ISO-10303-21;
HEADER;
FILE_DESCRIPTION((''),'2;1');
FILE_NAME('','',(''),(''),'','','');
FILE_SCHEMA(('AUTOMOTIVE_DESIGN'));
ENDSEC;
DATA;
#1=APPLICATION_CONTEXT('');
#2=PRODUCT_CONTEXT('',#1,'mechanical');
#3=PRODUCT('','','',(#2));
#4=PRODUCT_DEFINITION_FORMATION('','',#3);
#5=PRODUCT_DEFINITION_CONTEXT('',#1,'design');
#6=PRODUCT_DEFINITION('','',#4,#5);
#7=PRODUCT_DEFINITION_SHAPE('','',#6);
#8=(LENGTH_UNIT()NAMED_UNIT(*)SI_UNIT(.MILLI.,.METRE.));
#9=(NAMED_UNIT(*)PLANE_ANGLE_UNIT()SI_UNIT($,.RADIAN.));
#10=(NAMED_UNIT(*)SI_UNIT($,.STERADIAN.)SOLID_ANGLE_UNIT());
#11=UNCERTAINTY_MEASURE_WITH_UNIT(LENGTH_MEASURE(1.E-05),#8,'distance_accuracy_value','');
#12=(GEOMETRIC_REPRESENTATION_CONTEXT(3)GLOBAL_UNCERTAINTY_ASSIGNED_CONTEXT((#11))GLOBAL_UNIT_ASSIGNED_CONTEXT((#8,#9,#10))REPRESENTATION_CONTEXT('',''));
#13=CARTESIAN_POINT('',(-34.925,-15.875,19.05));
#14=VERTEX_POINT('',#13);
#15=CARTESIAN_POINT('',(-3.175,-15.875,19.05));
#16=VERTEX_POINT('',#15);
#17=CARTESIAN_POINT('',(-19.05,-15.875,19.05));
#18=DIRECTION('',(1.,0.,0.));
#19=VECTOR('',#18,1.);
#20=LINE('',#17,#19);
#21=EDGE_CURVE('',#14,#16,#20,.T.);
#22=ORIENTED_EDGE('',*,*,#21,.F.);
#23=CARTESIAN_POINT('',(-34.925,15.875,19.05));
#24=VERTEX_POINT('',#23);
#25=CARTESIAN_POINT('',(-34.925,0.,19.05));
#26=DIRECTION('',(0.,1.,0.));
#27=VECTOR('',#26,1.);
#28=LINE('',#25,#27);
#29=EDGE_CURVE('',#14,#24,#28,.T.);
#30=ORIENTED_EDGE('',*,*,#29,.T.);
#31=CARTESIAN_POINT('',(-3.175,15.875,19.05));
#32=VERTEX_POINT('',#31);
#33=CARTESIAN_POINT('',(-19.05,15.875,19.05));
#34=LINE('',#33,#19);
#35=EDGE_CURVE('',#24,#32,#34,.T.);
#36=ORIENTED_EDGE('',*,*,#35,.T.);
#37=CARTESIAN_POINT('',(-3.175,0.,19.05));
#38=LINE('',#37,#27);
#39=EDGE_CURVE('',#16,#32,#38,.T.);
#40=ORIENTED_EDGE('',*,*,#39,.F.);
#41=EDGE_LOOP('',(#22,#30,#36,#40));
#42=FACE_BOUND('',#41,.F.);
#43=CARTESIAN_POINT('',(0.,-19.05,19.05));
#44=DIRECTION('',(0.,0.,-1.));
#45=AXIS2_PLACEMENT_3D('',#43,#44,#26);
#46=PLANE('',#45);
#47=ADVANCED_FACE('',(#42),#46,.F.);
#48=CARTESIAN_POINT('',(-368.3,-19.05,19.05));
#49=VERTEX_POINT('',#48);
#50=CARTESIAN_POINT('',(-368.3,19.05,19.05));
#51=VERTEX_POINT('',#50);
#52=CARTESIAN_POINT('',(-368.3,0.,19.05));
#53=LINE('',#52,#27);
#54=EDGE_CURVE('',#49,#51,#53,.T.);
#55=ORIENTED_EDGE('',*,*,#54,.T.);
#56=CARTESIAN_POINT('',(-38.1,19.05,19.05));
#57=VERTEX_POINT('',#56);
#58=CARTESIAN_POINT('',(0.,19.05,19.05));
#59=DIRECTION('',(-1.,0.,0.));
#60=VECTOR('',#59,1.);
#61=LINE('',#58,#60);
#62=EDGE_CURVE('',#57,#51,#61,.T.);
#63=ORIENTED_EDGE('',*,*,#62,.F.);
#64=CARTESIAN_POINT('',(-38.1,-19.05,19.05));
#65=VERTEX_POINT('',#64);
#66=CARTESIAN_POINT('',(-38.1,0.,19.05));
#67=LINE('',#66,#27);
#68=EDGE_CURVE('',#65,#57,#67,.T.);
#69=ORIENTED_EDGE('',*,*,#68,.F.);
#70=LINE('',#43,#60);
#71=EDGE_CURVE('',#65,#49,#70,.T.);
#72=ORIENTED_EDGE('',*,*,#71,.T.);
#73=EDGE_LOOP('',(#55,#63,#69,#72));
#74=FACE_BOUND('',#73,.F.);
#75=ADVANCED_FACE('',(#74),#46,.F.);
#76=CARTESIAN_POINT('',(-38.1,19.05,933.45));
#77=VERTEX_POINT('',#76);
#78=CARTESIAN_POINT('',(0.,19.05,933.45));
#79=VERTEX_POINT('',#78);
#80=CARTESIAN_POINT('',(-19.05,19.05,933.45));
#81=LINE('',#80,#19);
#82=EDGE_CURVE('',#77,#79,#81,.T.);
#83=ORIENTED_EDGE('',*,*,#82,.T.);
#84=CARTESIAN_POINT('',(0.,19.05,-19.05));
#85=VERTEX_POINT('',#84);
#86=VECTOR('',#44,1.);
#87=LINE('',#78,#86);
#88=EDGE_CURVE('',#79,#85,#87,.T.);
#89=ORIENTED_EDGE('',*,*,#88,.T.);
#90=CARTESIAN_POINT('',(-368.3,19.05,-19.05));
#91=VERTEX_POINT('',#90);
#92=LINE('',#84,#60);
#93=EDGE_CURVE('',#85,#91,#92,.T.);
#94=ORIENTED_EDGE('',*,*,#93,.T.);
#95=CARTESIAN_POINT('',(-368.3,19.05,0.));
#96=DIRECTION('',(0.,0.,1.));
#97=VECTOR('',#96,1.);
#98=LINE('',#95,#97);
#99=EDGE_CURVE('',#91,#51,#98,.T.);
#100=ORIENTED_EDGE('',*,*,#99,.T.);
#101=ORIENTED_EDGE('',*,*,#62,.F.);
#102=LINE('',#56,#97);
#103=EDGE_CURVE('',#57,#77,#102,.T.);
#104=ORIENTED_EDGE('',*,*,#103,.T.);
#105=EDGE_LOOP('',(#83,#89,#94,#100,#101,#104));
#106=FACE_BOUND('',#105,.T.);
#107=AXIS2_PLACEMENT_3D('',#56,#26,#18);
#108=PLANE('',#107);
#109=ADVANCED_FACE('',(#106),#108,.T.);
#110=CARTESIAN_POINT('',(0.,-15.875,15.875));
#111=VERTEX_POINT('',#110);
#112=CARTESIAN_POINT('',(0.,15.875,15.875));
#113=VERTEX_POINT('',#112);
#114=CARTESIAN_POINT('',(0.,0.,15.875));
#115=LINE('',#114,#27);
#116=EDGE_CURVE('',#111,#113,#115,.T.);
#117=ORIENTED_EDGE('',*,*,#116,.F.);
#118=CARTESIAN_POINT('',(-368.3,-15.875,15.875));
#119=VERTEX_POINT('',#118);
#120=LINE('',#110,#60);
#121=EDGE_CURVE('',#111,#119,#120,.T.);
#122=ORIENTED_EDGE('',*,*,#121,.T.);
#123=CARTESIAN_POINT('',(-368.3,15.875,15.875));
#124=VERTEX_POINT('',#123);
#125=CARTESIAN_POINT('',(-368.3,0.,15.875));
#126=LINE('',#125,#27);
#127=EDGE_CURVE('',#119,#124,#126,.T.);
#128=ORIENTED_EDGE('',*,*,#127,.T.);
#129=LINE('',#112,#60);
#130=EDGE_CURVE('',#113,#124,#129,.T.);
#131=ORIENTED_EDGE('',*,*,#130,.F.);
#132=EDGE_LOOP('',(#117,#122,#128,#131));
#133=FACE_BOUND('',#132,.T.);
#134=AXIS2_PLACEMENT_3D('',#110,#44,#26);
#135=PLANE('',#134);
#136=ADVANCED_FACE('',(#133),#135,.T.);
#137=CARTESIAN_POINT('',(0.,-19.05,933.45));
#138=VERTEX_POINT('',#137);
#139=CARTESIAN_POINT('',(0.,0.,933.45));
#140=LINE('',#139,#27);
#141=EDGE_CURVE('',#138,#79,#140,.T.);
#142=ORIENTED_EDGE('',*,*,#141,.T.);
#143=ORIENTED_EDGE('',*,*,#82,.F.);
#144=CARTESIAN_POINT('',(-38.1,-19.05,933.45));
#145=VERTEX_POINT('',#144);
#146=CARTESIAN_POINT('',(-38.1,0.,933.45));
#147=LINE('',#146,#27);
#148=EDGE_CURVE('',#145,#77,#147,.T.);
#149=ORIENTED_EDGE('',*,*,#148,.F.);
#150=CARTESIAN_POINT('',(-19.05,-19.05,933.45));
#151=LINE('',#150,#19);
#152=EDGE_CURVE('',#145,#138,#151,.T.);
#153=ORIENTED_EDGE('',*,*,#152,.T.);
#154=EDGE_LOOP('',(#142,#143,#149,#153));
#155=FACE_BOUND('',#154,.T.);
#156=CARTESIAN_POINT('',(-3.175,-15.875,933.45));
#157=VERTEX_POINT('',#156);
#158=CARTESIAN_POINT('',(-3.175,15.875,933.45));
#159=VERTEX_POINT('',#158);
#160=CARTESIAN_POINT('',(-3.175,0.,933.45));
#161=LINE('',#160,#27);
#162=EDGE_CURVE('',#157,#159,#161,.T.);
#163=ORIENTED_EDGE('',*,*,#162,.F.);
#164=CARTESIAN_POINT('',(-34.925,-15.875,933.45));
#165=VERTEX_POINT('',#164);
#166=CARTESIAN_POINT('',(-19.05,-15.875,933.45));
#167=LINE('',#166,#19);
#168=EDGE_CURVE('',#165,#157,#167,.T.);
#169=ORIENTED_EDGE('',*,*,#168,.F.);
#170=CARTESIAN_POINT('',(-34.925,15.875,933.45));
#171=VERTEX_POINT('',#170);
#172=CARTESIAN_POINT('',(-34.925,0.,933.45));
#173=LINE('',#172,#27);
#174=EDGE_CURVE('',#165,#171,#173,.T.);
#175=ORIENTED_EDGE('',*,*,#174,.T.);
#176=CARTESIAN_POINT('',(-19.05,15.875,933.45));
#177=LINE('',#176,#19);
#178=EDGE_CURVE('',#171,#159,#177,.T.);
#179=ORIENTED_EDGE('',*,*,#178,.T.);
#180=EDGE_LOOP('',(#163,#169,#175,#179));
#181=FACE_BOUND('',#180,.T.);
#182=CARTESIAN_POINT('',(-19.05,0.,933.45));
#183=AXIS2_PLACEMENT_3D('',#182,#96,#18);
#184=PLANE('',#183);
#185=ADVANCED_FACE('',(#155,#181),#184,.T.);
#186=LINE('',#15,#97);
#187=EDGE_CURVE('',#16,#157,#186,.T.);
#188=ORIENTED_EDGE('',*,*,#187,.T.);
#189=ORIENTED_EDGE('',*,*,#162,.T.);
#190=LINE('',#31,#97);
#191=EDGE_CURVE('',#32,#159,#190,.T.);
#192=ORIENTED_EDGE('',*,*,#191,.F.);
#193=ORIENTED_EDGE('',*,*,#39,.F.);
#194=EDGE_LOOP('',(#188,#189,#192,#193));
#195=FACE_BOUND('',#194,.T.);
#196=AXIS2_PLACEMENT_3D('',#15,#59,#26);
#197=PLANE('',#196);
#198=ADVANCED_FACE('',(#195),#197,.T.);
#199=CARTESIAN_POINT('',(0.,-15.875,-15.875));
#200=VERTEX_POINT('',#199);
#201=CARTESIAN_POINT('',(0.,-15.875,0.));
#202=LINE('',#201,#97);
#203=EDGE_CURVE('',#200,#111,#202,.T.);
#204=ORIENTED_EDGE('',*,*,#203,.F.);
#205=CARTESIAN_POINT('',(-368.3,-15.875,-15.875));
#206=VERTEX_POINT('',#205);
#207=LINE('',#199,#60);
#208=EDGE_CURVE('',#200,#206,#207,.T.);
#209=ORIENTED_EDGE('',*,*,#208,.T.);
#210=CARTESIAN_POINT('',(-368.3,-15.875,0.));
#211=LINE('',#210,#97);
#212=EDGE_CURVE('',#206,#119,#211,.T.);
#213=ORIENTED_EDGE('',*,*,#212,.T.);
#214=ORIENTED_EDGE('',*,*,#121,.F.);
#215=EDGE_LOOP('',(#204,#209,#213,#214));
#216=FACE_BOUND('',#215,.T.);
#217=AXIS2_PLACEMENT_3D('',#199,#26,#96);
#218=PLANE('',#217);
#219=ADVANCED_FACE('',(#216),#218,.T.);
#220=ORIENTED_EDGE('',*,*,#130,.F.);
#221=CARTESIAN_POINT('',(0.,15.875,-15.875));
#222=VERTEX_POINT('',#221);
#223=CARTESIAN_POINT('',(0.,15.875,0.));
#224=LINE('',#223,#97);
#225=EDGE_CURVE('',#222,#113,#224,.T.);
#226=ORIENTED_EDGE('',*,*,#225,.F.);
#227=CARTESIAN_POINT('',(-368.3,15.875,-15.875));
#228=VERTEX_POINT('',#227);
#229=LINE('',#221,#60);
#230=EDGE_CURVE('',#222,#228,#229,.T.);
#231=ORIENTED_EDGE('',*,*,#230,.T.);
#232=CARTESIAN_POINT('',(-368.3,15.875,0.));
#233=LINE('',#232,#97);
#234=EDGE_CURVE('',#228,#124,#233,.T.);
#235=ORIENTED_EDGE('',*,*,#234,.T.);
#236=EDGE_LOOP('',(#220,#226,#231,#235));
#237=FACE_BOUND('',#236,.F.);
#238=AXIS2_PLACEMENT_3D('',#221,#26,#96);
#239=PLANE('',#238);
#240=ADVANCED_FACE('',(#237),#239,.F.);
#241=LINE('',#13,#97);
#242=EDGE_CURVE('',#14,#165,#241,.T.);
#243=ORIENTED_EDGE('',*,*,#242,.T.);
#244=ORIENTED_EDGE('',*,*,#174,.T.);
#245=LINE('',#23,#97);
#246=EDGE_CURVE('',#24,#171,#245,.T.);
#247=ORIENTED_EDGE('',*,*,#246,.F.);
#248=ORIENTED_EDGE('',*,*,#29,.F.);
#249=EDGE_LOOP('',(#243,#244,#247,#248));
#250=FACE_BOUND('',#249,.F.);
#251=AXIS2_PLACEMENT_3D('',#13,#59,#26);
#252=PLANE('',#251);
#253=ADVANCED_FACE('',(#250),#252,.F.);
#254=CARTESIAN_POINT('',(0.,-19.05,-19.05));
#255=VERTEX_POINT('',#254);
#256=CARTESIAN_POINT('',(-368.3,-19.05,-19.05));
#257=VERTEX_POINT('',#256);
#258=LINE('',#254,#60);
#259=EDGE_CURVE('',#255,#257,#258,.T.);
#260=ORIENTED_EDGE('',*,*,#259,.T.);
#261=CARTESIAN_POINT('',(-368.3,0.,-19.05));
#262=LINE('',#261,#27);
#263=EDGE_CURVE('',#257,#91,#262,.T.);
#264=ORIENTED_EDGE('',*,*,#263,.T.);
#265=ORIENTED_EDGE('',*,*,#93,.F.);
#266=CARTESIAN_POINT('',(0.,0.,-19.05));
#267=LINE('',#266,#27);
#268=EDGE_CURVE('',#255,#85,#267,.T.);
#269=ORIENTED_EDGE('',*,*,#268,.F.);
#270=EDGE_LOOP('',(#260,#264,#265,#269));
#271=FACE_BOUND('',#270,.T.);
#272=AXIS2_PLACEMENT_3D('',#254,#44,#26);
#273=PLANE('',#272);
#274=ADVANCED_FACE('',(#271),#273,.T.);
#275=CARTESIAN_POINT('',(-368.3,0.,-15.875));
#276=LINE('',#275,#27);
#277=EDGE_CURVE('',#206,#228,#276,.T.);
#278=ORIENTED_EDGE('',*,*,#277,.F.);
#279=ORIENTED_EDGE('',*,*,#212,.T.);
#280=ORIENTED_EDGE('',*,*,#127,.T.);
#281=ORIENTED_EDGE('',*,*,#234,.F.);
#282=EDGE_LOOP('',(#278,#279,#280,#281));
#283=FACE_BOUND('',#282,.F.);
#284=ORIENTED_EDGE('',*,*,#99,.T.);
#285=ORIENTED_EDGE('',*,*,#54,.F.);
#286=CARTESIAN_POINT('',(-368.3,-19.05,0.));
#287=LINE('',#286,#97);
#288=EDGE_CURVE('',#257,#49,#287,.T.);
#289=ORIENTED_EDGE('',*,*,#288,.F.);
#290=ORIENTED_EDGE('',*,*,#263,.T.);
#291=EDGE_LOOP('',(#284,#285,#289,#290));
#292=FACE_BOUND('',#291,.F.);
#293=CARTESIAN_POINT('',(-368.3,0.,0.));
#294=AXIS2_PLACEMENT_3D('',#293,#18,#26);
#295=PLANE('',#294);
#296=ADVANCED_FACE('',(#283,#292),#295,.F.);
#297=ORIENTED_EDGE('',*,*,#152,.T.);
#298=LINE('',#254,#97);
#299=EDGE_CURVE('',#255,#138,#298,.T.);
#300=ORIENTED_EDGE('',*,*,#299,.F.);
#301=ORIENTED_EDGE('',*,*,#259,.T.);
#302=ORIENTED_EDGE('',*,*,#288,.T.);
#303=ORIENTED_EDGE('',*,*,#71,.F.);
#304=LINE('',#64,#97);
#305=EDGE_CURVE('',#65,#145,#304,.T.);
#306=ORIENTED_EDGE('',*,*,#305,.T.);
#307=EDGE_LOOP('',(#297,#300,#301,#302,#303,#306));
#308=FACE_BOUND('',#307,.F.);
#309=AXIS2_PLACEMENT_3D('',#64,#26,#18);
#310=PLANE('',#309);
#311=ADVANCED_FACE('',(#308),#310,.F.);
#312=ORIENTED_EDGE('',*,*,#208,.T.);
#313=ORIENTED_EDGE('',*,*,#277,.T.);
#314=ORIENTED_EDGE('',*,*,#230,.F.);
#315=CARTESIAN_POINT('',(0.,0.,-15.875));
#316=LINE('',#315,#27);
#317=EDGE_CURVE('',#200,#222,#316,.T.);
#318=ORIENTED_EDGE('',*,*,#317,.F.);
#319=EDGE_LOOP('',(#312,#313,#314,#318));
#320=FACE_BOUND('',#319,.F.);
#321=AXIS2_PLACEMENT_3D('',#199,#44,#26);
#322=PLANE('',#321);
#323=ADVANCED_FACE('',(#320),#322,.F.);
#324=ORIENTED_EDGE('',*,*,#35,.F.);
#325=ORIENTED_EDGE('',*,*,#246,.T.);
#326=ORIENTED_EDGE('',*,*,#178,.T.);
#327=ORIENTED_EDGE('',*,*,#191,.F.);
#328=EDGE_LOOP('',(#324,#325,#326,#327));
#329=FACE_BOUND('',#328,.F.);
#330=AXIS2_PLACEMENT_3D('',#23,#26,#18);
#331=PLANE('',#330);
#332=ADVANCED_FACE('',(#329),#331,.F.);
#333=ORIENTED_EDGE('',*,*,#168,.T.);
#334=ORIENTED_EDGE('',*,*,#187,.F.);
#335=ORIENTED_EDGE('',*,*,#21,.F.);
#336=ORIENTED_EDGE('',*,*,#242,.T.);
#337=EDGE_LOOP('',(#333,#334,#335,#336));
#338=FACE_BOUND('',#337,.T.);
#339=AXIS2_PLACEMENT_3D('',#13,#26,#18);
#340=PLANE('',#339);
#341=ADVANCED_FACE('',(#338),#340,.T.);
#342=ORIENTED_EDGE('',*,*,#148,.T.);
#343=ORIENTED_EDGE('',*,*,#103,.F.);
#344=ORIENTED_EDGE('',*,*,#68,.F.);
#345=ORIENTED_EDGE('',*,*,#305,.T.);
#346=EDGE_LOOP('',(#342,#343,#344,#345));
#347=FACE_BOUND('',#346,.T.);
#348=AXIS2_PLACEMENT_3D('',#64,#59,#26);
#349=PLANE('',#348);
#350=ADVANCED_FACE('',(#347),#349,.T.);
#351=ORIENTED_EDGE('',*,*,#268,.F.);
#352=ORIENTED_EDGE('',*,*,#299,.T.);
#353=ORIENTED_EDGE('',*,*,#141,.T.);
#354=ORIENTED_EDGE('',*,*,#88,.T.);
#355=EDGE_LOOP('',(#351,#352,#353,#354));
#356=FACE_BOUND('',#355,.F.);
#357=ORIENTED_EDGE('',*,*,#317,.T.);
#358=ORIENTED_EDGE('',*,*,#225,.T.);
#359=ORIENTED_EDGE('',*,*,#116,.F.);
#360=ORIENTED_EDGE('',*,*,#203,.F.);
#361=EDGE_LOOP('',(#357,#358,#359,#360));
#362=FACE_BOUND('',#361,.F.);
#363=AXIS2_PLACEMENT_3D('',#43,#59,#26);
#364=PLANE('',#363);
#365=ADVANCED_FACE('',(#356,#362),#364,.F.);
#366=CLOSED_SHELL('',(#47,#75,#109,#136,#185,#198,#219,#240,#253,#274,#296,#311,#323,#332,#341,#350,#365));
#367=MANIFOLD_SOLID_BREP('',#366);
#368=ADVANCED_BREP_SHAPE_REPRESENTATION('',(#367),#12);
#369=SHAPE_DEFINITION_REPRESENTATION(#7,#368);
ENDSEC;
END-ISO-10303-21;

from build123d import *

# Parameters (mm, degrees)
F0_W     = 38.1
F0_H     = 38.1
F0_W_2   = 31.75
F0_H_2   = 31.75
F1_DEPTH = 368.3
F2_W     = 38.1
F2_H     = 38.1
F2_W_2   = 31.75
F2_H_2   = 31.75
F3_DEPTH = 914.4


with BuildPart() as f1:
    # F0 (on Right) → F1 (new body)
    with BuildSketch(Plane.YZ):
        Rectangle(F0_W, F0_H)
        Rectangle(F0_W_2, F0_H_2, mode=Mode.SUBTRACT)
    extrude(amount=-F1_DEPTH)

    # F2 (on face) → F3 (join)
    with BuildSketch(Plane.XY.offset(19.05)):
        with Locations((-19.05, 0)):
            Rectangle(F2_W, F2_H)
        with Locations((-19.05, 0)):
            Rectangle(F2_W_2, F2_H_2, mode=Mode.SUBTRACT)
    extrude(amount=F3_DEPTH)


solid = f1.part
